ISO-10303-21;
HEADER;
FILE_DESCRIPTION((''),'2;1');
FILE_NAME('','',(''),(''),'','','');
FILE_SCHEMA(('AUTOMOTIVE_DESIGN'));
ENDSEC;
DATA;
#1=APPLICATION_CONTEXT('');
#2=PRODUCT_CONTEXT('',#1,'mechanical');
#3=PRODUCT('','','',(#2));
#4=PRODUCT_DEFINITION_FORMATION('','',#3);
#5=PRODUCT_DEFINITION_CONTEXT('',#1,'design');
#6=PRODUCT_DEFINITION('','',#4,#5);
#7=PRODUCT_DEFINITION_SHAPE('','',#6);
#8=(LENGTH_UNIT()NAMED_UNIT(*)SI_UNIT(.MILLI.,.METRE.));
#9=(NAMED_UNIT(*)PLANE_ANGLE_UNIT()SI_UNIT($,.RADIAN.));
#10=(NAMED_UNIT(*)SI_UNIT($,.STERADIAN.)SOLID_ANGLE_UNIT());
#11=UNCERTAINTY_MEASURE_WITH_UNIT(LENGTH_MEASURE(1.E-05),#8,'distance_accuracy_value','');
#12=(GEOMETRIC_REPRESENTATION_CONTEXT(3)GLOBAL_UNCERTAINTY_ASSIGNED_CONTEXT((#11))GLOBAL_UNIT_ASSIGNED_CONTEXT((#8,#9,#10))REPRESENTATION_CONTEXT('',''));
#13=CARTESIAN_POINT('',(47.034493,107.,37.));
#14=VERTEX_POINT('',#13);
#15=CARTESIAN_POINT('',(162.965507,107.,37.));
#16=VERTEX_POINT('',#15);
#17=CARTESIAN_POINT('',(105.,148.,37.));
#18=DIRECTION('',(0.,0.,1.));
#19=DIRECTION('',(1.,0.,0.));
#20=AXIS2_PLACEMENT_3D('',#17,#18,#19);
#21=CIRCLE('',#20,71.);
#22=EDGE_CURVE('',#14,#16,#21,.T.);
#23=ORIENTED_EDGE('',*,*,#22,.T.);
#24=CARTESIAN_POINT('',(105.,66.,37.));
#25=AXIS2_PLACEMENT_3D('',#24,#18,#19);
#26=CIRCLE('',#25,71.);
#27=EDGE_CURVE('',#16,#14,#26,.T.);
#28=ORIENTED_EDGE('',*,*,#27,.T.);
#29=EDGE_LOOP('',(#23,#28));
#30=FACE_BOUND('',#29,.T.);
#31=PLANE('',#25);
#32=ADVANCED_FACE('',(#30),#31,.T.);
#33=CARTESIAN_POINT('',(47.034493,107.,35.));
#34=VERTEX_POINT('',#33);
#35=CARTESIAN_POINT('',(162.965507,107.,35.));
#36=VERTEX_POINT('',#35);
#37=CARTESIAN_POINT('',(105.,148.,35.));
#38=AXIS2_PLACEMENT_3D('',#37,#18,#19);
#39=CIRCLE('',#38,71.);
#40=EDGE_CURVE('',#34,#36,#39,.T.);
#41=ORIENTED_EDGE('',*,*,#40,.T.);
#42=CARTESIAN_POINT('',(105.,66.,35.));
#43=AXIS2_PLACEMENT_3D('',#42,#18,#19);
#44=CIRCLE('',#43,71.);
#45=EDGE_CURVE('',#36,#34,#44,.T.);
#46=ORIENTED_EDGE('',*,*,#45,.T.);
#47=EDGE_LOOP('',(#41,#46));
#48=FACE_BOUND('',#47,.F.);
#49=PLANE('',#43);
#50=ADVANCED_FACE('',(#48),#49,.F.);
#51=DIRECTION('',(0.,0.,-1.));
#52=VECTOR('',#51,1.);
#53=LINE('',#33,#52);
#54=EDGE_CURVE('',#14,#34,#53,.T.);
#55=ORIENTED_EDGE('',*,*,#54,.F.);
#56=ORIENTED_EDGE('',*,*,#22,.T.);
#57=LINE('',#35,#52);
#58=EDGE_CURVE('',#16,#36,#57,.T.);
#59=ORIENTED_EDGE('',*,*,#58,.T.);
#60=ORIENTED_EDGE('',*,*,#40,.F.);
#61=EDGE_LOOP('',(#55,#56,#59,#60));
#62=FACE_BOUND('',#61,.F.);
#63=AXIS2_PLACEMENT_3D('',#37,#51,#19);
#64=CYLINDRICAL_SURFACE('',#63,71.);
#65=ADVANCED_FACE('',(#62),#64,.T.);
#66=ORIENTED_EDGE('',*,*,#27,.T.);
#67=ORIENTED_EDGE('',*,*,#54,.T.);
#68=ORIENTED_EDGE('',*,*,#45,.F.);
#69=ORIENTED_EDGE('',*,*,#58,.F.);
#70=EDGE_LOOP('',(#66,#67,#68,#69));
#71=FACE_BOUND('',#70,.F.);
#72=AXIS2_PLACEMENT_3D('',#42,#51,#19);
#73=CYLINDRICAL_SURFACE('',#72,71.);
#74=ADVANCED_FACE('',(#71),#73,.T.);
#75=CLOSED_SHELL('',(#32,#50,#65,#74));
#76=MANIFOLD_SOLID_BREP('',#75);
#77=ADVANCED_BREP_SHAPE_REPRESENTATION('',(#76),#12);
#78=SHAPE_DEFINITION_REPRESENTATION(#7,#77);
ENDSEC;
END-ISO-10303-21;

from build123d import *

# Parameters (mm, degrees)
CYLINDER068_R     = 71
CYLINDER068_DEPTH = 2
CYLINDER069_R     = 71
CYLINDER069_DEPTH = 2


with BuildPart() as cylinder:
    # Cylinder068 → Cylinder068 (new body)
    with BuildSketch(Plane(origin=(105, 148, 35), x_dir=(1, 0, 0), z_dir=(0, 0, 1))):
        Circle(CYLINDER068_R)
    extrude(amount=CYLINDER068_DEPTH)


with BuildPart() as bafflediff:
    # Cylinder069 → Cylinder069 (new body)
    with BuildSketch(Plane(origin=(105, 66, 35), x_dir=(1, 0, 0), z_dir=(0, 0, 1))):
        Circle(CYLINDER069_R)
    extrude(amount=CYLINDER069_DEPTH)

    # Common001: intersect Cylinder
    add(cylinder.part, mode=Mode.INTERSECT)


solid = bafflediff.part
